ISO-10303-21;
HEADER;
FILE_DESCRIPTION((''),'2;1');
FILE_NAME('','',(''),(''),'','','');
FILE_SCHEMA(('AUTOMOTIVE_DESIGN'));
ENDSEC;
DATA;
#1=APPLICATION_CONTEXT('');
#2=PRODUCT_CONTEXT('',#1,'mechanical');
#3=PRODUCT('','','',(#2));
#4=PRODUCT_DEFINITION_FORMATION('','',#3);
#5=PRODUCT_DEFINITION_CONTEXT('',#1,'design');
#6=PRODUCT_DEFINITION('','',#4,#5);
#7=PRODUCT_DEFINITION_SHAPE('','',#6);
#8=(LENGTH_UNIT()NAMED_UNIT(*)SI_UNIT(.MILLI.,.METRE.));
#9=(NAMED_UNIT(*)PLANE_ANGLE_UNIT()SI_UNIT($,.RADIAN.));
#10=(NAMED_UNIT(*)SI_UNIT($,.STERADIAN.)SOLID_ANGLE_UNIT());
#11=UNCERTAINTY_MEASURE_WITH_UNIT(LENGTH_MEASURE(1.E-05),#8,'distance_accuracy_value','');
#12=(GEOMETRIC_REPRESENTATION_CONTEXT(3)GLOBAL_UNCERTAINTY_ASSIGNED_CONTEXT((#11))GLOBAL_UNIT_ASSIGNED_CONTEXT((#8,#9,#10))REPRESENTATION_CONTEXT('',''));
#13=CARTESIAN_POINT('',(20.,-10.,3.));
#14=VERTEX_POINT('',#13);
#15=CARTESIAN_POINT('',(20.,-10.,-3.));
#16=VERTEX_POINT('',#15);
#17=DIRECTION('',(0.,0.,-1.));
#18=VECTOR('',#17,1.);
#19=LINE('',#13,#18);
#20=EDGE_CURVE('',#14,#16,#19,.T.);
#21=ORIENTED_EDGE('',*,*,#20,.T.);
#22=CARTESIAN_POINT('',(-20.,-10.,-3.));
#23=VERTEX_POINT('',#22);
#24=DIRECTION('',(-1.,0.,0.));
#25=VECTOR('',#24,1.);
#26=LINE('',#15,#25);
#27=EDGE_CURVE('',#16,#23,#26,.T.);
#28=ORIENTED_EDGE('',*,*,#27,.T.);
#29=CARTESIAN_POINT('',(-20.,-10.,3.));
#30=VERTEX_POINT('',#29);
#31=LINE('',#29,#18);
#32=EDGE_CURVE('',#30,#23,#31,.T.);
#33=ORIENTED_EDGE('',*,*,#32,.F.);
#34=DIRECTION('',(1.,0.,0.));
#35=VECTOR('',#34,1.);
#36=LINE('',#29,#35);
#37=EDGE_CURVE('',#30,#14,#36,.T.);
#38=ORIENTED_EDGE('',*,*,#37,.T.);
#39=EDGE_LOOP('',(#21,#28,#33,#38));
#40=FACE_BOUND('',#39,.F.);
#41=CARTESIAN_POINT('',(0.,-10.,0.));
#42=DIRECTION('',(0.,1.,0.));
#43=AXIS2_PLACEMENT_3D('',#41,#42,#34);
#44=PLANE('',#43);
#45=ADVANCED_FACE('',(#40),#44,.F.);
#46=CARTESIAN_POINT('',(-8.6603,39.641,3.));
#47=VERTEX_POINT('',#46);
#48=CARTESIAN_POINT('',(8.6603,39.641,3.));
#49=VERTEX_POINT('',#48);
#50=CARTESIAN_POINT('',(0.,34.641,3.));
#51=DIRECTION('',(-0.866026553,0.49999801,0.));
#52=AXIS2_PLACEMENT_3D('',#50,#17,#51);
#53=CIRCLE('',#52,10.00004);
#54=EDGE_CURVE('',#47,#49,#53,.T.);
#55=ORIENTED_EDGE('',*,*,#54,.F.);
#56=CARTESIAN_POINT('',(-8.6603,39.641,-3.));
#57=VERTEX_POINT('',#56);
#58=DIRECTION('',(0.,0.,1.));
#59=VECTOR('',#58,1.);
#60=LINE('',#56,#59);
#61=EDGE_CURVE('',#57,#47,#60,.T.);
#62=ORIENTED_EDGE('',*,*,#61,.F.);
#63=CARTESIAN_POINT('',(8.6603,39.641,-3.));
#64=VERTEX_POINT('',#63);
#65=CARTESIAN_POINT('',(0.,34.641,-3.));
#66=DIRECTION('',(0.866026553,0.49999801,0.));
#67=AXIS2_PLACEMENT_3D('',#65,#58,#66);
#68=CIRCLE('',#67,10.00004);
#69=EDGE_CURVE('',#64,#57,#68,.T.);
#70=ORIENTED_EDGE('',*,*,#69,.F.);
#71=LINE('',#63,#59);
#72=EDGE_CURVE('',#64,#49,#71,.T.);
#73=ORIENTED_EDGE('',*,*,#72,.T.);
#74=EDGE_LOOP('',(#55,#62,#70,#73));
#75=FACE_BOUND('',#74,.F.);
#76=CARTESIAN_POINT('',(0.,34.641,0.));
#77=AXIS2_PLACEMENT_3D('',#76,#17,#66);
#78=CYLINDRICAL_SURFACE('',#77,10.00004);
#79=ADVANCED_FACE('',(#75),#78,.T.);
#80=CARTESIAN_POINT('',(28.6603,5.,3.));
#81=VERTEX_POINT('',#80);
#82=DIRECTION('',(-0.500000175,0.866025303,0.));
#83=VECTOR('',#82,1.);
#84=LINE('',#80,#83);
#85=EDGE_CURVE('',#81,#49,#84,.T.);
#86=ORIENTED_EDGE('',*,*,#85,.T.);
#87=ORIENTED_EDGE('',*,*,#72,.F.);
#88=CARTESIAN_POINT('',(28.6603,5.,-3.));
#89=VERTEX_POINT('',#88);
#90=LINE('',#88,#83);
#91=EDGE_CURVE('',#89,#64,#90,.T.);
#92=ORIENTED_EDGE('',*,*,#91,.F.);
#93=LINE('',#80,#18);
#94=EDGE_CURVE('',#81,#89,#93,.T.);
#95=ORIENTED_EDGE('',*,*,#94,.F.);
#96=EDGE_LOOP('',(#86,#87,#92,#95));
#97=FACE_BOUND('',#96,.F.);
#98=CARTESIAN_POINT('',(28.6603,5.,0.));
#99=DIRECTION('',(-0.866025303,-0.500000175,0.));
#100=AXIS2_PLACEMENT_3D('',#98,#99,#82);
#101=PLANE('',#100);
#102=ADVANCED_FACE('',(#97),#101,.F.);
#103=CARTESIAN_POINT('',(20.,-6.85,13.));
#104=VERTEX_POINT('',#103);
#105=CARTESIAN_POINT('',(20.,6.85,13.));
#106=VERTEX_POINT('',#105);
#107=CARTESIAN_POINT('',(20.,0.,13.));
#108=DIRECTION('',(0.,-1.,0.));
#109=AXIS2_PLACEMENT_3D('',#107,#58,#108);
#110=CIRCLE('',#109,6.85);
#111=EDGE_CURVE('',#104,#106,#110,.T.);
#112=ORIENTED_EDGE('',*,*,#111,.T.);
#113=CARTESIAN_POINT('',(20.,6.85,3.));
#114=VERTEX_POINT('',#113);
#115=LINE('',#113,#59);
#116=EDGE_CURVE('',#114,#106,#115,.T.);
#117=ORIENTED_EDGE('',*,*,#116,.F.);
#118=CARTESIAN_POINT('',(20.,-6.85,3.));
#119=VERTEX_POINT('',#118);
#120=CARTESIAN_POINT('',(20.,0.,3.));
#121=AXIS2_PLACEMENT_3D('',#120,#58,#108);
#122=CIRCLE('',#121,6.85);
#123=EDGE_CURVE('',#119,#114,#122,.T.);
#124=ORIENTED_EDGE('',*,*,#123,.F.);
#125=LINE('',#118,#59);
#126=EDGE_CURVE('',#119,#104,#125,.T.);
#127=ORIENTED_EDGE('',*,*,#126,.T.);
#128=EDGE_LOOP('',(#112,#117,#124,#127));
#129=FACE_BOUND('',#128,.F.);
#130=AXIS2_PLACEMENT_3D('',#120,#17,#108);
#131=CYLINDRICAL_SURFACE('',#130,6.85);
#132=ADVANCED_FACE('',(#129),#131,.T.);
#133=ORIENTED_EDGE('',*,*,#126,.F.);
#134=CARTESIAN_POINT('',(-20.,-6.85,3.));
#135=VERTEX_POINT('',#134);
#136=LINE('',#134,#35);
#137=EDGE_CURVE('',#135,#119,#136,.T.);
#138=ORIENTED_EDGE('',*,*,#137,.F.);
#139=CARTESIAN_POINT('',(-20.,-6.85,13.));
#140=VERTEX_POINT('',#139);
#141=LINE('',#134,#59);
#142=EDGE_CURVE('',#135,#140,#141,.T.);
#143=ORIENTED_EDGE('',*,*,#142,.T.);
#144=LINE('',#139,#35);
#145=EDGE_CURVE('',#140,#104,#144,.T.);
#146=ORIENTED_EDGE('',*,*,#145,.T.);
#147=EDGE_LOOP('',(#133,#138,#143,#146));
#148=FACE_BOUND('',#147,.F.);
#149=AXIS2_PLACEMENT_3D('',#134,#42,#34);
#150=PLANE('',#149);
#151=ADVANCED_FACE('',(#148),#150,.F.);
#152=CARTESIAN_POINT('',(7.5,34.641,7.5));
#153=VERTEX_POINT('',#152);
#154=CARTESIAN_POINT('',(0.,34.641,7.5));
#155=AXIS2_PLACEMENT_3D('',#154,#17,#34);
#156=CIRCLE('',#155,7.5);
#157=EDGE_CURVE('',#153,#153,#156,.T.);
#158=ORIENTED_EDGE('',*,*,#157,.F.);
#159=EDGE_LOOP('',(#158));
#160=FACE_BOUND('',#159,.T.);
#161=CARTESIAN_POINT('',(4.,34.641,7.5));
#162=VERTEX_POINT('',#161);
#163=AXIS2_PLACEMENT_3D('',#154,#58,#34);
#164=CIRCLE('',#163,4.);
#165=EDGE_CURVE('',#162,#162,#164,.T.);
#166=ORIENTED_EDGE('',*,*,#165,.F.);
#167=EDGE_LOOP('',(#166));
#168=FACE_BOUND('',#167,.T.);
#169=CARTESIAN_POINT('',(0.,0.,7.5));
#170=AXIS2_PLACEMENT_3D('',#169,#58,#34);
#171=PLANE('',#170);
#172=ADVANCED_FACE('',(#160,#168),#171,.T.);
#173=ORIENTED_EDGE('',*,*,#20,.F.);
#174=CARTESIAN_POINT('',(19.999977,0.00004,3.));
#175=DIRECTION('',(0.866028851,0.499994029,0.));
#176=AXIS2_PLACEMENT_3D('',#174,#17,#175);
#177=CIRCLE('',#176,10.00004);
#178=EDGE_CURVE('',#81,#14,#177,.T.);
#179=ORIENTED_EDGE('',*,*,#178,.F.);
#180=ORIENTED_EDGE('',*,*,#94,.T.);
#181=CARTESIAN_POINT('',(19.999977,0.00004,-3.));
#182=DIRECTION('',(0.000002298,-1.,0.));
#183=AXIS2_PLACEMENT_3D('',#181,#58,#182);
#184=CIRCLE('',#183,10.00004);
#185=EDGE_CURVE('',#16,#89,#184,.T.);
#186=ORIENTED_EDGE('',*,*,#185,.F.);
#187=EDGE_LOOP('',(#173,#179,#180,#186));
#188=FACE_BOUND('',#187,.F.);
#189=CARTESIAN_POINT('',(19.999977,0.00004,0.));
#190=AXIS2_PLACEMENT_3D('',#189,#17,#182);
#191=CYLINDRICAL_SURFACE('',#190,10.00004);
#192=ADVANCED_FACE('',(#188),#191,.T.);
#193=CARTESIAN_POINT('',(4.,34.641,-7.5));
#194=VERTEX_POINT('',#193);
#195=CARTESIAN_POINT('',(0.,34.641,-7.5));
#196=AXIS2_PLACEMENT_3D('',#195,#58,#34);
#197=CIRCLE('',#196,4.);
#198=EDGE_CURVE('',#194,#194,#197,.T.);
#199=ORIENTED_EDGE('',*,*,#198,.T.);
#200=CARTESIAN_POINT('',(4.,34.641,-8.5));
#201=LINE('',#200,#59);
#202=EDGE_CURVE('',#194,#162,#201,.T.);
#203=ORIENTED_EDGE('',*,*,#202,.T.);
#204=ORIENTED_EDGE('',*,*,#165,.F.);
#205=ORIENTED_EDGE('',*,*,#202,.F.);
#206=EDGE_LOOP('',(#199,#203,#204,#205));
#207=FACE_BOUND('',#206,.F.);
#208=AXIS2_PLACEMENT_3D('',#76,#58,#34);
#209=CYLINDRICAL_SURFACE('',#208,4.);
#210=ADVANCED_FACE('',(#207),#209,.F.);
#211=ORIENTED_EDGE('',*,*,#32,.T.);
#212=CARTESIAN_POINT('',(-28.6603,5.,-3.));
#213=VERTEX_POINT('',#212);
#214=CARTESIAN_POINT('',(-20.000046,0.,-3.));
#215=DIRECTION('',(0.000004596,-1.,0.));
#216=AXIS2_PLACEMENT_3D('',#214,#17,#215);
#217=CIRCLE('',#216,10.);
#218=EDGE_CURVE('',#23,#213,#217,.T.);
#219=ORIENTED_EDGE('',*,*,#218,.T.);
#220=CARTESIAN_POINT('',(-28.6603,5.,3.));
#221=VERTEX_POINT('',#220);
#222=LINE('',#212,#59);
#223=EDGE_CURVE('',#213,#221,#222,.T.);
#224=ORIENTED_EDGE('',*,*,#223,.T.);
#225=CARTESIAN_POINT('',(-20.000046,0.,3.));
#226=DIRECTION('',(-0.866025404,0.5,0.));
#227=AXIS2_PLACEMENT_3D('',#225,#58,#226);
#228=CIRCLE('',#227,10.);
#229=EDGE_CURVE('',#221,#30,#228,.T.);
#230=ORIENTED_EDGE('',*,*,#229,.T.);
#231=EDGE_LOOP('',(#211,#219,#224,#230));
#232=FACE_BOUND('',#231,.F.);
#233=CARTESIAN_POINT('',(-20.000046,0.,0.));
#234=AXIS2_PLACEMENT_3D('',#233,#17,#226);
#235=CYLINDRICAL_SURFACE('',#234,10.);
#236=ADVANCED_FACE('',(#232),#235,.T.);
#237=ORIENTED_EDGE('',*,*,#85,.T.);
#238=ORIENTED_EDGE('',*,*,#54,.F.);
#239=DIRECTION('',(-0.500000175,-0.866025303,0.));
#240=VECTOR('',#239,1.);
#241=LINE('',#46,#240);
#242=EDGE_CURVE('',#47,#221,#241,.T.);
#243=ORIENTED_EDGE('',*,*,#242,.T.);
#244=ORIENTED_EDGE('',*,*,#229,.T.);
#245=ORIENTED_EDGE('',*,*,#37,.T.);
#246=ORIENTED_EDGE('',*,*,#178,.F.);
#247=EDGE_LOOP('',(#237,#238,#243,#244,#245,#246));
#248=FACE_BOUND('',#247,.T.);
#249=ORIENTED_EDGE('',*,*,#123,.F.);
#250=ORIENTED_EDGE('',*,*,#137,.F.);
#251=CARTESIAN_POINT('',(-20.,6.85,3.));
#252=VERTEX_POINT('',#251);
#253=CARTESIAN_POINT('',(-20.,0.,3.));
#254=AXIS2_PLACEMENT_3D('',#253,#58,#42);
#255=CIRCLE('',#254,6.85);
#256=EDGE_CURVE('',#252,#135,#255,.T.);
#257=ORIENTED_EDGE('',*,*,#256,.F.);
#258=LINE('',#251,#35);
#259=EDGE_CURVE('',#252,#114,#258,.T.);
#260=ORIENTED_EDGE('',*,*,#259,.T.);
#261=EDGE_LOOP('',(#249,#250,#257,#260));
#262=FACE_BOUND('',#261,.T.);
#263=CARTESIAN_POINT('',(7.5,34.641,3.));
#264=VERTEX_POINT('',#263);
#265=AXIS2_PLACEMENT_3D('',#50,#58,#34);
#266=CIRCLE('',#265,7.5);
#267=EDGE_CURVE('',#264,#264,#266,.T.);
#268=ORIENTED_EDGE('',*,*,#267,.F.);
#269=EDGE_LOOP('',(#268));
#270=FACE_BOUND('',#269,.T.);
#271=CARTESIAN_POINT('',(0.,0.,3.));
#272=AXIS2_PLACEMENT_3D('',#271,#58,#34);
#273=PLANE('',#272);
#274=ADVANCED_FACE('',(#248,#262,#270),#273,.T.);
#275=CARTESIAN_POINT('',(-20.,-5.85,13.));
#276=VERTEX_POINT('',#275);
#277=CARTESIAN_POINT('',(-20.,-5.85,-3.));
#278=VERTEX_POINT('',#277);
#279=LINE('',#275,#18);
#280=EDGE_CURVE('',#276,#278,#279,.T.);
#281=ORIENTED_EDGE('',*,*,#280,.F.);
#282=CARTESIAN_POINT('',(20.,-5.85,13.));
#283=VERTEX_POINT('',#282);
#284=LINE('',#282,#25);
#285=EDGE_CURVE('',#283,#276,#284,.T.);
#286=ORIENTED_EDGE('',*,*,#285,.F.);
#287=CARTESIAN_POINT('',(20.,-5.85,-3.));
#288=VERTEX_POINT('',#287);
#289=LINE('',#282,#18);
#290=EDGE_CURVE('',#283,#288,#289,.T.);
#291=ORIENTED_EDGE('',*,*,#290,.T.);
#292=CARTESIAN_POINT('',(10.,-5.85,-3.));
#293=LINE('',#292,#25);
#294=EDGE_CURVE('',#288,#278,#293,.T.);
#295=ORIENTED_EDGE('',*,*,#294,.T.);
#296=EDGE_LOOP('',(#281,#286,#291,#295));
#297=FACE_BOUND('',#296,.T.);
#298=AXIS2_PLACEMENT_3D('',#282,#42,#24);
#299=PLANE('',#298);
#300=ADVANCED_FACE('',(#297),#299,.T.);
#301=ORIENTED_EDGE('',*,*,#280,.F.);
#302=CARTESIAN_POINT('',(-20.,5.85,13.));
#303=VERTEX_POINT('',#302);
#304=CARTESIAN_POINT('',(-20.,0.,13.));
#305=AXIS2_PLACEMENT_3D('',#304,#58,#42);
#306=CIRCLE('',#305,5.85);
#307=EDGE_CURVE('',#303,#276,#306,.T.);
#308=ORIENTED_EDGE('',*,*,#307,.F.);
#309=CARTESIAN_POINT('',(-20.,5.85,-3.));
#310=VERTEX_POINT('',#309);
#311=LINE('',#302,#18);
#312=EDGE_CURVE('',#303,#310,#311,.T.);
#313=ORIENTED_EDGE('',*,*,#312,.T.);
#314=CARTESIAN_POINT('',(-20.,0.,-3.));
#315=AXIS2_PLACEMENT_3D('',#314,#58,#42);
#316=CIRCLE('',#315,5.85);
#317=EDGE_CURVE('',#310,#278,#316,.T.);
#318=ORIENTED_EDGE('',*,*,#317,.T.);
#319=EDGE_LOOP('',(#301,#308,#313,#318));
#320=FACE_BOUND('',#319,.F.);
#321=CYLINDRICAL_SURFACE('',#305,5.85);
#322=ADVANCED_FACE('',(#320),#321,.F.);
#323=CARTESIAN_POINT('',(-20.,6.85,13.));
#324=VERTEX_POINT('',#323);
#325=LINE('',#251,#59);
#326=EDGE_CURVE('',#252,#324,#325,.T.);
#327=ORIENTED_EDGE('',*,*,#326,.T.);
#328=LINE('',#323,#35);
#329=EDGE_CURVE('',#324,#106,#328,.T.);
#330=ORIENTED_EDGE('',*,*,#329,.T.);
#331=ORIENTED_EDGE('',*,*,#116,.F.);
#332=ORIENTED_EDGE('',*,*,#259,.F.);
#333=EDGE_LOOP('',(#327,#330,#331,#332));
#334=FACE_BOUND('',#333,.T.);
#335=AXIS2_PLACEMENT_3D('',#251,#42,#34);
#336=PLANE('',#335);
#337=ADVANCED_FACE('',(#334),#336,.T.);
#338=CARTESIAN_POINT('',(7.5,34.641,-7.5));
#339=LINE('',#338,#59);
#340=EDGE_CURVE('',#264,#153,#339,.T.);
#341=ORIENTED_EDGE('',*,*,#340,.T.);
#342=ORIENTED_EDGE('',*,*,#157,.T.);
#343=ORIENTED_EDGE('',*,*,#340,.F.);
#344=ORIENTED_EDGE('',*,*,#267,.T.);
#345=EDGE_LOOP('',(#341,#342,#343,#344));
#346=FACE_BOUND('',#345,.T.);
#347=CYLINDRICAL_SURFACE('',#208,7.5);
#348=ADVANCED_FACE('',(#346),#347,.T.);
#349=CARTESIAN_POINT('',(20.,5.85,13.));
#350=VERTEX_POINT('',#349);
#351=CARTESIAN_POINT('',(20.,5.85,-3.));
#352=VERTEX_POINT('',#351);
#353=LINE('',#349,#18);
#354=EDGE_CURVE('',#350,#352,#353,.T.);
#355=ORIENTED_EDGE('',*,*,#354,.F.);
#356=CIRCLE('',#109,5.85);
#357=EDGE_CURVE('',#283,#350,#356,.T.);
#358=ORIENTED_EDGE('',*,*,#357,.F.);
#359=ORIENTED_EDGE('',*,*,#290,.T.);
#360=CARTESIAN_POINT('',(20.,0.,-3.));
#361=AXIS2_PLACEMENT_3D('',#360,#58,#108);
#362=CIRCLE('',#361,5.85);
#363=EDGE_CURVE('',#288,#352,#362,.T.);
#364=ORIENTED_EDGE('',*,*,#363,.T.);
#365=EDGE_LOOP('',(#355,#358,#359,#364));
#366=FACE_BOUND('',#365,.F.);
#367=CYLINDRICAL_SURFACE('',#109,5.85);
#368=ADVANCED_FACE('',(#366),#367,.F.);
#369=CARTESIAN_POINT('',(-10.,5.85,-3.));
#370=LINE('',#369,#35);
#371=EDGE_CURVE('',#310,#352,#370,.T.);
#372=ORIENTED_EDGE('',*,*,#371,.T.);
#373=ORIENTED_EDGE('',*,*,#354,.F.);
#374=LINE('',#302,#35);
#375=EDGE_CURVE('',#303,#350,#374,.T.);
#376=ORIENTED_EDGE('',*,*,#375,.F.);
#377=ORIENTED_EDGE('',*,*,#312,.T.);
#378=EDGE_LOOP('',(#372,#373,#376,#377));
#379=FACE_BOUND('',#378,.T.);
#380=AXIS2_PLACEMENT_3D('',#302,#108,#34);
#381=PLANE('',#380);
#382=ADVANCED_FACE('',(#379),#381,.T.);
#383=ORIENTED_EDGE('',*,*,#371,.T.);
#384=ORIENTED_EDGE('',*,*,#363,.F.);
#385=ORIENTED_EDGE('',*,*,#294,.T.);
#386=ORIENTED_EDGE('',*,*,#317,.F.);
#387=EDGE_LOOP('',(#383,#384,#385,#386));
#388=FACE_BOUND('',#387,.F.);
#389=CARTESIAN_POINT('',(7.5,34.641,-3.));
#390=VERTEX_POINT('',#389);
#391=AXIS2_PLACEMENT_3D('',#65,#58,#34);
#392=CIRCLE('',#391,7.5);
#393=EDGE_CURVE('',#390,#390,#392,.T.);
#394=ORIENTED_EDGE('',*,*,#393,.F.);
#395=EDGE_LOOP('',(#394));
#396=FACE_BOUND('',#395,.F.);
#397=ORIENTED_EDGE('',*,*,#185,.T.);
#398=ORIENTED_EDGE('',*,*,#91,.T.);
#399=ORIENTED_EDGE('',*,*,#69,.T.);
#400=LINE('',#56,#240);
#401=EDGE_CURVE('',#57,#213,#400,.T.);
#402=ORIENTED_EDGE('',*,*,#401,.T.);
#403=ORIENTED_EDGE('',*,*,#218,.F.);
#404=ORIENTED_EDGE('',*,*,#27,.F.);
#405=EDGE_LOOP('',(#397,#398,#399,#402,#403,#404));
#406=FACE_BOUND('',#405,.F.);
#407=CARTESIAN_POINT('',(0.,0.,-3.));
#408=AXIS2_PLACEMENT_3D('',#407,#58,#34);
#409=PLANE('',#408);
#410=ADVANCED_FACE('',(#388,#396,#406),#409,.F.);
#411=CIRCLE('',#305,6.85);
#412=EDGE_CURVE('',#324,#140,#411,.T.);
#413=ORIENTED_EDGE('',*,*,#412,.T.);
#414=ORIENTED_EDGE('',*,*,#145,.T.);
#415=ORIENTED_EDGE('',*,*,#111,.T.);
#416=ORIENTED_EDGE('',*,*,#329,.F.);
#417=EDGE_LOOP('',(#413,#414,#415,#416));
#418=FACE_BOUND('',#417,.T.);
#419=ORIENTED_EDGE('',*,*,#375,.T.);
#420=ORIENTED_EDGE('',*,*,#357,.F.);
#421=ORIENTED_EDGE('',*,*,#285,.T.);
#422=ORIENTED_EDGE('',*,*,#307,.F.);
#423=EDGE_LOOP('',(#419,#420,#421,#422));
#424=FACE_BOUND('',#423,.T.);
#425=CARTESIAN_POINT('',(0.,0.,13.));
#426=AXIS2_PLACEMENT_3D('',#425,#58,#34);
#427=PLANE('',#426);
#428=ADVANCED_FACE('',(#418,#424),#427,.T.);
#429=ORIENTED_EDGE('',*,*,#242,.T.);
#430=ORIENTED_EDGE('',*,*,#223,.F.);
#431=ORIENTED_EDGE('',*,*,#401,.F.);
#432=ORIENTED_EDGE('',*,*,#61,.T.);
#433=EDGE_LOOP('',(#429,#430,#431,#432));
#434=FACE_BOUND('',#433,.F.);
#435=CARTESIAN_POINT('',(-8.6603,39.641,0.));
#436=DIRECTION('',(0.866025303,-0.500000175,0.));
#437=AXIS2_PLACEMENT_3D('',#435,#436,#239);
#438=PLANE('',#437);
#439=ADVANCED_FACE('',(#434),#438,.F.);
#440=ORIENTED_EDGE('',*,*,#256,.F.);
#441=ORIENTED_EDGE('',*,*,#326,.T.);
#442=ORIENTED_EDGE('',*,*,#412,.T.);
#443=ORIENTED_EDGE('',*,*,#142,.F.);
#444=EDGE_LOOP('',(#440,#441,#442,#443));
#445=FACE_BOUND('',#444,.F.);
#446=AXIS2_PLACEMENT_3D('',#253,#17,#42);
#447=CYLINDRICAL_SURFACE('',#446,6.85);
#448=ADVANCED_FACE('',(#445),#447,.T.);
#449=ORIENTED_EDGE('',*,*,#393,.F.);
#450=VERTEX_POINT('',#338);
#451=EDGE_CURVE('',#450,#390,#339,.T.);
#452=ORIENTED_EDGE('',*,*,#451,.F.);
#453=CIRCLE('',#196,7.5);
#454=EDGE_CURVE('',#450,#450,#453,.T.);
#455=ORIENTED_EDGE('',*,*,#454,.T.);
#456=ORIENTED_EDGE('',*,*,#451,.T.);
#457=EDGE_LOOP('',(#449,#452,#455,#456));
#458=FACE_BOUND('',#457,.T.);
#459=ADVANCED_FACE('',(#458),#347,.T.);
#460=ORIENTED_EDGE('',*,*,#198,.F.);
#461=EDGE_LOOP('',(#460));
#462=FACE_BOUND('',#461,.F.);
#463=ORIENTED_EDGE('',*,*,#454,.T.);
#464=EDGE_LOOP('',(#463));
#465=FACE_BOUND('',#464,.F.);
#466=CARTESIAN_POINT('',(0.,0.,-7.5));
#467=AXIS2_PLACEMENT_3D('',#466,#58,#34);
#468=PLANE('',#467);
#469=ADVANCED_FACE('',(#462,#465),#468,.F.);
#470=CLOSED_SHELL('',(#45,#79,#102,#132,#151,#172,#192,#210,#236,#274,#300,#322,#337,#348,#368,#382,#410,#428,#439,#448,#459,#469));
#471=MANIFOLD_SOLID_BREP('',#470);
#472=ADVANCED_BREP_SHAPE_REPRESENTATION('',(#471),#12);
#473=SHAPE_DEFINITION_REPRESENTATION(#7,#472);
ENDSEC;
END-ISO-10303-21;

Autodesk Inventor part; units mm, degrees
ref_plane "YZ Plane" through (0, 0, 0) normal (1, 0, 0) x (0, 1, 0)
ref_plane "XZ Plane" through (0, 0, 0) normal (0, 1, 0) x (-1, 0, 0)
ref_plane "XY Plane" through (0, 0, 0) normal (0, 0, 1) x (1, 0, 0)
sketch "Sketch1" plane through (0, 0, 0) normal (0, 0, 1) x (1, 0, 0)
  arc A0 (8.6603, 39.641) -> (-8.6603, 39.641) centre (0, 34.641) ccw
  arc A1 (-28.6603, 5) -> (-20, -10) centre (-20, 0) ccw
  arc A2 (20, -10) -> (28.6603, 5) centre (20, 0) ccw
  line L0 (-8.6603, 39.641) -> (-28.6603, 5)
  line L1 (-20, -10) -> (20, -10)
  line L2 (28.6603, 5) -> (8.6603, 39.641)
  circle A3 centre (0, 34.641) radius 7.5
  line L3 (0, 56.0692) -> (0, -23.9282) projected
  line L4 (-46.1865, 0) -> (46.1865, 0) projected
  circle A4 centre (0, 34.641) radius 4
  point P0 (0, 0)
  dimension "d0" = 10
  dimension "d1" = 40
  dimension "d2" = 15
  dimension "d7" = 8
extrude "Extrusion1" add sketch "Sketch1" along normal mid plane 6
extrude "Extrusion2" add sketch "Sketch1" along normal mid plane 15 contours L3 A4 A3 | A3 L3 A4 | A4 L3 | L3 A4
extrude "Extrusion3" cut sketch "Sketch1" along normal through all both and the other way through all contours A4 L3 | L3 A4
sketch "Sketch2" plane through (0, 0, 3) normal (0, 0, 1) x (1, 0, 0)
  circle A0 centre (0, 34.641) radius 7.5 projected
  line L0 (-8.6603, 39.641) -> (-28.6603, 5) projected
  arc A1 (-28.6603, 5) -> (-20, -10) centre (-20, 0) ccw projected
  line L1 (-20, -10) -> (20, -10) projected
  arc A2 (20, -10) -> (28.6603, 5) centre (20, 0) ccw projected
  line L2 (28.6603, 5) -> (8.6603, 39.641) projected
  arc A3 (-20, 6.85) -> (-20, -6.85) centre (-20, 0) ccw
  line L3 (-20, -6.85) -> (20, -6.85)
  arc A4 (20, -6.85) -> (20, 6.85) centre (20, 0) ccw
  line L4 (-20, 6.85) -> (20, 6.85)
  arc A5 (8.6603, 39.641) -> (-8.6603, 39.641) centre (0, 34.641) ccw projected
  point P0 (0, 0)
  dimension "d10" = 3.15
extrude "Extrusion4" add sketch "Sketch2" along normal blind 10 contours L4 A4 L3 A3
sketch "Sketch3" plane through (0, 0, 13) normal (0, 0, 1) x (1, 0, 0)
  line L0 (-20, -6.85) -> (20, -6.85) projected
  arc A0 (20, -6.85) -> (20, 6.85) centre (20, 0) ccw projected
  line L1 (20, 6.85) -> (-20, 6.85) projected
  arc A1 (-20, 6.85) -> (-20, -6.85) centre (-20, 0) ccw projected
  line L2 (20, -5.85) -> (-20, -5.85)
  arc A2 (-20, 5.85) -> (-20, -5.85) centre (-20, 0) ccw
  line L3 (-20, 5.85) -> (20, 5.85)
  arc A3 (20, -5.85) -> (20, 5.85) centre (20, 0) ccw
  point P0 (0, 0)
  dimension "d13" = 1
extrude "Extrusion5" cut sketch "Sketch3" against normal through all contours L2 A2 L3 A3
properties part number "Offset"
